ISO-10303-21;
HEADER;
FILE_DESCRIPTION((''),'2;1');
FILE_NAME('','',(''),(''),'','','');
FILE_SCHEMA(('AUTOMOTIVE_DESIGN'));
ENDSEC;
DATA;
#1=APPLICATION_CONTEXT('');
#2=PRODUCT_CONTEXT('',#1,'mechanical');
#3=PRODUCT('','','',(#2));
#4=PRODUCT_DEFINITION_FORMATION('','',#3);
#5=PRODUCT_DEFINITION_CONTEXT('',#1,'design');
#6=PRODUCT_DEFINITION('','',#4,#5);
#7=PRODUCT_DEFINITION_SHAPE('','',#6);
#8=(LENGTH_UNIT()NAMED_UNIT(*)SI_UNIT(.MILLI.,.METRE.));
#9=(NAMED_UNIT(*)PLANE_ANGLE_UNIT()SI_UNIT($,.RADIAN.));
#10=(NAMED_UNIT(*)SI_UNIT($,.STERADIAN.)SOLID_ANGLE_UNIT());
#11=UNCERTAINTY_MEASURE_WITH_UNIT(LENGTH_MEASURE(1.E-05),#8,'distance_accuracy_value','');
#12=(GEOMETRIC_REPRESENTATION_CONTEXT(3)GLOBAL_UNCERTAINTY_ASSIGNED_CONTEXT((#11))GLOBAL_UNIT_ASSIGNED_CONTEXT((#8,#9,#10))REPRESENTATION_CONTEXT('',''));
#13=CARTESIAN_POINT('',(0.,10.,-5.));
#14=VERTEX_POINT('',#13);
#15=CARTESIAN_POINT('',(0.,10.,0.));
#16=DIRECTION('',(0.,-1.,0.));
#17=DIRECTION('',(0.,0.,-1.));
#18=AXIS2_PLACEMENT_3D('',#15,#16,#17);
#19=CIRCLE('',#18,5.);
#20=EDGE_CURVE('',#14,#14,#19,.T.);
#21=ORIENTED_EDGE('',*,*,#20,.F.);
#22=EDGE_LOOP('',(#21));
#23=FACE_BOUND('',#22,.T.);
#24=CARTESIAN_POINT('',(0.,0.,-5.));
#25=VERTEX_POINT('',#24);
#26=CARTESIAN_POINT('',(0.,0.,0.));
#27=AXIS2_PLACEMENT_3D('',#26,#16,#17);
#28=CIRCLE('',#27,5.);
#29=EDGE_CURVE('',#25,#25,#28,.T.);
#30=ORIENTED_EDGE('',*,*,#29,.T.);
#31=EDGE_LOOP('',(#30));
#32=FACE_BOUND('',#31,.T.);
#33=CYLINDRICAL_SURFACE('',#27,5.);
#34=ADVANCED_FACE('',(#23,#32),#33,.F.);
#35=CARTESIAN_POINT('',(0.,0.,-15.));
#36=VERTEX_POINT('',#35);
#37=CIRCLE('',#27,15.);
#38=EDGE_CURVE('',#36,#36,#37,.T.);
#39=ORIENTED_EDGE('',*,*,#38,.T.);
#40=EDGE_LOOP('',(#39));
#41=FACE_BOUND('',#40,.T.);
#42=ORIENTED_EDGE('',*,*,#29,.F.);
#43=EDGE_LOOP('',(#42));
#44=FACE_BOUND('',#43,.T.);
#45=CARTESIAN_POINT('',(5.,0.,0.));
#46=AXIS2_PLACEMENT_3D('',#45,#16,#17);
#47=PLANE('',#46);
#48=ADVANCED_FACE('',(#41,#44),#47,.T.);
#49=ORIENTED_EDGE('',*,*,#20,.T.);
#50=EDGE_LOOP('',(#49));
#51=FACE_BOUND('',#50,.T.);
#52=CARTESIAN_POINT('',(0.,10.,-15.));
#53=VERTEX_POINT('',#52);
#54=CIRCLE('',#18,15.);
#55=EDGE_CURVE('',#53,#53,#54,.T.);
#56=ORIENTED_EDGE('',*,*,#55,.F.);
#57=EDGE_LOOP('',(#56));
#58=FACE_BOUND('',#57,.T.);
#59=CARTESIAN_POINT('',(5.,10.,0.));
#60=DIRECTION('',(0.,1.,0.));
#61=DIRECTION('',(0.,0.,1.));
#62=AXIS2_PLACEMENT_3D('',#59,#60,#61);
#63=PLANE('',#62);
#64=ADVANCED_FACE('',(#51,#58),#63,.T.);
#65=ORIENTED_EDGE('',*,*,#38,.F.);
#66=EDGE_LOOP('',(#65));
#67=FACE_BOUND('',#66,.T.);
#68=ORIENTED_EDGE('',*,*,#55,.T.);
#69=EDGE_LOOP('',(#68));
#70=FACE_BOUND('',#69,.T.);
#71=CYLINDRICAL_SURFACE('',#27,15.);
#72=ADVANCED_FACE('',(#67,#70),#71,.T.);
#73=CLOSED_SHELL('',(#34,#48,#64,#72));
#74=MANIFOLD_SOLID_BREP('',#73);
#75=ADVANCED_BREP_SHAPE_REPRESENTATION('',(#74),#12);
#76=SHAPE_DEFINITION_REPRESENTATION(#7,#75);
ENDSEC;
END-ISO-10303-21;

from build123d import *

# Parameters (mm, degrees)
SKETCH_1_W = 10
SKETCH_1_H = 10


with BuildPart() as part:
    # 草图1 → 旋转1 (revolve)
    with BuildSketch(Plane.XY, mode=Mode.PRIVATE) as revolve_1_sk:
        with Locations((10, 5)):
            Rectangle(SKETCH_1_W, SKETCH_1_H)
    revolve(revolve_1_sk.sketch.rotate(Axis((0, 0, 0), (0, 1, 0)), 90), axis=Axis((0, 0, 0), (0, 1, 0)))


solid = part.part
